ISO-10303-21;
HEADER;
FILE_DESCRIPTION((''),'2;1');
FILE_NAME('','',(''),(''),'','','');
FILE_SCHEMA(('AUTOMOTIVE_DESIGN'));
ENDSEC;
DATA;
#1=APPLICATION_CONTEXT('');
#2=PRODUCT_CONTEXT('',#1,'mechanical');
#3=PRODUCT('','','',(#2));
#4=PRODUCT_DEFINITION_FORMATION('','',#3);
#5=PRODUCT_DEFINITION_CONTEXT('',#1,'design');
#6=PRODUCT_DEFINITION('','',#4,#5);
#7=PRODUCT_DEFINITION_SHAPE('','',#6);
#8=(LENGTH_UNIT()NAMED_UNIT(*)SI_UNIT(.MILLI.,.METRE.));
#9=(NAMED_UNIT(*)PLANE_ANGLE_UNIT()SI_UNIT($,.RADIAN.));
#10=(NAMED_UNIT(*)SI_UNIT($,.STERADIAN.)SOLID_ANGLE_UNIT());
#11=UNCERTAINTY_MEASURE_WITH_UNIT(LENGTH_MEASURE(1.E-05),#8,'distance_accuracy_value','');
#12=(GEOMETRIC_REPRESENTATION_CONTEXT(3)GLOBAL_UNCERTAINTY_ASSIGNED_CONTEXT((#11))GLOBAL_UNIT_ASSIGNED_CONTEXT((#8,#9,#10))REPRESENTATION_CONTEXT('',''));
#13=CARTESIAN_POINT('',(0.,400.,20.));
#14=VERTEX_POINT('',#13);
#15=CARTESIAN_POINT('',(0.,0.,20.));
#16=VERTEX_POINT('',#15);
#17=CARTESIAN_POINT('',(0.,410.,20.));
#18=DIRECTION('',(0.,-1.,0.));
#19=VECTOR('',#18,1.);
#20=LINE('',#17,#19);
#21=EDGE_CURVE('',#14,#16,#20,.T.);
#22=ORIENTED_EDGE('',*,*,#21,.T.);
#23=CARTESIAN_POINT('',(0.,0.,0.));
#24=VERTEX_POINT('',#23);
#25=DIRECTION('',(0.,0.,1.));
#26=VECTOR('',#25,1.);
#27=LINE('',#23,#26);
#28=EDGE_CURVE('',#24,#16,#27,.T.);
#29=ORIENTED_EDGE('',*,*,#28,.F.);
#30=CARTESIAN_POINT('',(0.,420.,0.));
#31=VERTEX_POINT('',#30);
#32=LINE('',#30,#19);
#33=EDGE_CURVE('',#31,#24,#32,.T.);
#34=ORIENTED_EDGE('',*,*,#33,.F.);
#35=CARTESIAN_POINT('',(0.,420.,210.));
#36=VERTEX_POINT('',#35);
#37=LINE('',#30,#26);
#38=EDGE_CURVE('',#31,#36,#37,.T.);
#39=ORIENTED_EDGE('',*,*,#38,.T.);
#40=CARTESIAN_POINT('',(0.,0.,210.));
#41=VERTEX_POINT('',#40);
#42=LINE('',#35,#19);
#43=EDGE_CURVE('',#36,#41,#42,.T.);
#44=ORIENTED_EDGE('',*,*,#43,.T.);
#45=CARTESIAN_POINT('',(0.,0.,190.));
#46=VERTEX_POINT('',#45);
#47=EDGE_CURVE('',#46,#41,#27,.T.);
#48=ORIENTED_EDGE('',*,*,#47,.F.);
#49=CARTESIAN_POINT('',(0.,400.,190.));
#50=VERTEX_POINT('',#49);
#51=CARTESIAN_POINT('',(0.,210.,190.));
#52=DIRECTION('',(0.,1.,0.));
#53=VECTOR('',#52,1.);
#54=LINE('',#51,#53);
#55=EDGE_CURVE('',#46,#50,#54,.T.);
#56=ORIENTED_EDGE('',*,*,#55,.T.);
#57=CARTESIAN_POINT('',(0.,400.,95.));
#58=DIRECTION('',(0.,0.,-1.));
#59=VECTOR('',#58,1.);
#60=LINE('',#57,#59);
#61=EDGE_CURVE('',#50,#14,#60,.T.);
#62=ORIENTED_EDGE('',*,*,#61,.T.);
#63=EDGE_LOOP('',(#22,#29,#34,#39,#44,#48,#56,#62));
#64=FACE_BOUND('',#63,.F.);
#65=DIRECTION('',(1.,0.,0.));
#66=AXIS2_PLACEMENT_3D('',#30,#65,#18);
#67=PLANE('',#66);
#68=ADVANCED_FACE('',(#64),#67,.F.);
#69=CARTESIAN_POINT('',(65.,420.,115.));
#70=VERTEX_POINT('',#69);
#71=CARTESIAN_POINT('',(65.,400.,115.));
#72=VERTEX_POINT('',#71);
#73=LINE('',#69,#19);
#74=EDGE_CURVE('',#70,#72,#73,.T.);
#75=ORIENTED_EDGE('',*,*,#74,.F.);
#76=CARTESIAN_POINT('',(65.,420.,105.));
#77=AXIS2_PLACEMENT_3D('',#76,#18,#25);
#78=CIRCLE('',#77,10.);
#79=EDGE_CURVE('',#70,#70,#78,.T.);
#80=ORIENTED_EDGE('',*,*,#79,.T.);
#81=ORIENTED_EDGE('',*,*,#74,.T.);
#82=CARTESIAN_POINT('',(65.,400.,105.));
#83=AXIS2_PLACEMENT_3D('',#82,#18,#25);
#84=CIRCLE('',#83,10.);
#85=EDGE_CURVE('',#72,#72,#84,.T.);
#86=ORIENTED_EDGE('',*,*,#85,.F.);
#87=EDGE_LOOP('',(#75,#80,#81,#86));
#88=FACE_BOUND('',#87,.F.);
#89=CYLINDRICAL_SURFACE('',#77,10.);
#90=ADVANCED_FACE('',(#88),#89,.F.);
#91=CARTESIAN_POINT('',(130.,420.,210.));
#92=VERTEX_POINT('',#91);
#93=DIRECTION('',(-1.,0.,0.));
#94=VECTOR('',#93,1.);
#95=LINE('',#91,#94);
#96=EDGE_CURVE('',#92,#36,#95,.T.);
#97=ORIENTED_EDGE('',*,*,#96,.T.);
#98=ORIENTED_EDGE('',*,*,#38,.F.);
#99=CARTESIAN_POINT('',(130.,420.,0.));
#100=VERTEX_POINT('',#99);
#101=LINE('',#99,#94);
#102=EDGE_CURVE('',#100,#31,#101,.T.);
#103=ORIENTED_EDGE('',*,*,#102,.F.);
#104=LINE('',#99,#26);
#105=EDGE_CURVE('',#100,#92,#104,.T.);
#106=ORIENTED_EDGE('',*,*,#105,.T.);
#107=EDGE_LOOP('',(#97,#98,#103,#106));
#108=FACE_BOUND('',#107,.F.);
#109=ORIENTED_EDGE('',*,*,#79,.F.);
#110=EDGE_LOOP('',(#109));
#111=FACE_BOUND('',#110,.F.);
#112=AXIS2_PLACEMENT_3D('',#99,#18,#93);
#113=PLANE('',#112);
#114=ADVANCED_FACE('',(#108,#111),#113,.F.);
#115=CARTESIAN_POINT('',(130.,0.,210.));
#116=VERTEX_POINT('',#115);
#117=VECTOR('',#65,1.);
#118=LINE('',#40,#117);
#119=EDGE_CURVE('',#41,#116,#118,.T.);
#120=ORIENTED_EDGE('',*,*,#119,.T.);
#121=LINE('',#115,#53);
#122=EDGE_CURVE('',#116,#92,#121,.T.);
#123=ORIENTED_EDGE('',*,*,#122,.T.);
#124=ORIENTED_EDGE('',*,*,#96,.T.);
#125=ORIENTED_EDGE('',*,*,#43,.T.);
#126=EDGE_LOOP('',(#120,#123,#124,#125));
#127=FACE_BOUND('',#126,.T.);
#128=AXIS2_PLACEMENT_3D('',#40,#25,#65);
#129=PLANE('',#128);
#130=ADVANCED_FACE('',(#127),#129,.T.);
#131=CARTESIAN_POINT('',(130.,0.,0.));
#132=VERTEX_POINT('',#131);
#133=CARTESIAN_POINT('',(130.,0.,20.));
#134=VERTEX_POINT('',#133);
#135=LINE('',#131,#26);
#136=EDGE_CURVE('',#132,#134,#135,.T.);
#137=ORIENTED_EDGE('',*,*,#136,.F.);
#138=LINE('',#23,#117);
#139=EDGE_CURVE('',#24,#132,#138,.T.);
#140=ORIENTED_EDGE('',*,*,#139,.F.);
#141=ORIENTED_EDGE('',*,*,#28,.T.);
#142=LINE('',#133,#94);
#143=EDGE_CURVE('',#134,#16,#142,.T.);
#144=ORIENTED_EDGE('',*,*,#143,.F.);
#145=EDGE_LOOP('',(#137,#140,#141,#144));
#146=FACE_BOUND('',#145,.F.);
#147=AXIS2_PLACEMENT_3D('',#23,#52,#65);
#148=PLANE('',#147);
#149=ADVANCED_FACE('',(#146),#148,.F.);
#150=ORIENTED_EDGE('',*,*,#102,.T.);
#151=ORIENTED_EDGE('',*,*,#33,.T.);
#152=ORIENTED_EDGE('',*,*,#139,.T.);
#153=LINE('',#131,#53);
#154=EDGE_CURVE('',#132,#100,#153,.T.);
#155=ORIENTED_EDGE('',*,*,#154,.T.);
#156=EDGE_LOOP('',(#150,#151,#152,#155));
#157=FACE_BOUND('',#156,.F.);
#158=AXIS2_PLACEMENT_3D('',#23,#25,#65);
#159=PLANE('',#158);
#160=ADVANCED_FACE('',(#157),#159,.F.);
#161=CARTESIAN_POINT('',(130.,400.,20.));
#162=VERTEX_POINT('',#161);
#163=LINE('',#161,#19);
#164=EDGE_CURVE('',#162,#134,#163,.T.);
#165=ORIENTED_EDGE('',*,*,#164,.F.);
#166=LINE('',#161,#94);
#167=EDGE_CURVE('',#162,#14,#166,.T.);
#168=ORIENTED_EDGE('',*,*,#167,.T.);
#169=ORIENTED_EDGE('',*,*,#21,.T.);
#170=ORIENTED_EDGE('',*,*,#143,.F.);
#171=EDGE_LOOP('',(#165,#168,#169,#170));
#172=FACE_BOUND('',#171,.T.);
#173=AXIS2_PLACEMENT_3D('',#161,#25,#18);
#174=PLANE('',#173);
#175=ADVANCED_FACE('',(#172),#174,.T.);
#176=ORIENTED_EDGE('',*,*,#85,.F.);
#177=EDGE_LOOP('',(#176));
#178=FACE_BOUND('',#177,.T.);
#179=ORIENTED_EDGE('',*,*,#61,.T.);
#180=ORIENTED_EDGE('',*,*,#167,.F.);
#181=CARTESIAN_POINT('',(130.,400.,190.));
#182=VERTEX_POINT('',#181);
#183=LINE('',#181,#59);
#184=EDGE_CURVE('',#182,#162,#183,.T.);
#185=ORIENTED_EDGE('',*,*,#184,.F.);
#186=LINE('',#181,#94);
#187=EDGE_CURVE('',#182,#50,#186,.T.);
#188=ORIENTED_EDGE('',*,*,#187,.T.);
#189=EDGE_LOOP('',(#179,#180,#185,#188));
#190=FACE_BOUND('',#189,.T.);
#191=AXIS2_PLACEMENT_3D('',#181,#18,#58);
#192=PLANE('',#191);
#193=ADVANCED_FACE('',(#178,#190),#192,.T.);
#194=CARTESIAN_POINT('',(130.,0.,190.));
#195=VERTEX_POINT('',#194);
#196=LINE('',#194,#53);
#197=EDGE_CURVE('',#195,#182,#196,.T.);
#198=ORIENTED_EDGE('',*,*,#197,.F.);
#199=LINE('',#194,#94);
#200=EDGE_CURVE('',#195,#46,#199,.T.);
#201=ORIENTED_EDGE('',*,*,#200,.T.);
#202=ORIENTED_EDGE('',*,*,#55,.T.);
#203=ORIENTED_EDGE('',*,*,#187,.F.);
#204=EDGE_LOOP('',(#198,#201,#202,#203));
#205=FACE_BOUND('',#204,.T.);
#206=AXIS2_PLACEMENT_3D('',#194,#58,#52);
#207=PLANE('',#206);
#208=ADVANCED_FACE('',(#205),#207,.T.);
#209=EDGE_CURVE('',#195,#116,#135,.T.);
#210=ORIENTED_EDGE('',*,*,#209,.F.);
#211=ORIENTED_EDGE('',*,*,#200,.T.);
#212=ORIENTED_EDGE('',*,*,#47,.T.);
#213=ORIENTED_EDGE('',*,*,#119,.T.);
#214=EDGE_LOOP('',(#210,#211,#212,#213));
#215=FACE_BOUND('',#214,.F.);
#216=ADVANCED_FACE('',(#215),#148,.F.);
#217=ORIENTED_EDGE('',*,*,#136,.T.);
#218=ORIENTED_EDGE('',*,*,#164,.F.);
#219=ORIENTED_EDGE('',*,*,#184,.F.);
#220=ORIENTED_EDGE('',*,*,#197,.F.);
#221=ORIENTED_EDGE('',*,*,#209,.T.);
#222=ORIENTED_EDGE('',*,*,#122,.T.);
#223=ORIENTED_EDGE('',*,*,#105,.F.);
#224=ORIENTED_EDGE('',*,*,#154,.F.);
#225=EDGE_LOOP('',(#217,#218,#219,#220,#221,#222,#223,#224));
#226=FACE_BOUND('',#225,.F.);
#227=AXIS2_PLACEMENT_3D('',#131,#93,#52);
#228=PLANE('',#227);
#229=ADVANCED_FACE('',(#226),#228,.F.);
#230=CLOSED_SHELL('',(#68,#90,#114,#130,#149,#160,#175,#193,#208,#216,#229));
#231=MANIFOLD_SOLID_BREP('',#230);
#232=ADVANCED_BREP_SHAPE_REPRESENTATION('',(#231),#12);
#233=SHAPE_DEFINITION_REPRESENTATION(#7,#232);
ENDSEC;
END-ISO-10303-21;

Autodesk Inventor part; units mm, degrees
ref_plane "YZ Plane" through (0, 0, 0) normal (1, 0, 0) x (0, 1, 0)
ref_plane "XZ Plane" through (0, 0, 0) normal (0, 1, 0) x (-1, 0, 0)
ref_plane "XY Plane" through (0, 0, 0) normal (0, 0, 1) x (1, 0, 0)
sketch "Boceto1" plane through (0, 0, 0) normal (0, 0, 1) x (1, 0, 0)
  line L0 (0, 0) -> (130, 0)
  line L1 (130, 0) -> (130, 420)
  line L2 (130, 420) -> (0, 420)
  line L3 (0, 420) -> (0, 0)
  circle A0 centre (65, 210) radius 10
  dimension "d0" = 130
  dimension "d1" = 420
  dimension "d2" = 130
  dimension "d10" = 20
extrude "Extrusión1" add sketch "Boceto1" along normal blind 210 contours L3 L2 L1 L0 | A0
sketch "Boceto2" plane through (130, 0, 0) normal (1, 0, 0) x (0, 0, -1)
  line L0 (-210, 420) -> (-210, 0) projected
  line L1 (-210, 0) -> (-190, 0)
  line L2 (0, 0) -> (-210, 0) projected
  line L3 (-190, 0) -> (-190, 400)
  line L4 (-190, 400) -> (-20, 400)
  line L5 (0, 420) -> (0, 0) projected
  line L6 (-20, 400) -> (-20, 0)
  line L7 (-20, 0) -> (0, 0)
  dimension "d5" = 20
  dimension "d6" = 400
  dimension "d7" = 170
extrude "Extrusión2" cut sketch "Boceto2" against normal blind 210
sketch "Boceto3" plane through (0, 420, 0) normal (0, 1, 0) x (1, 0, 0)
  line L0 (130, 0) -> (0, 0) projected
  line L1 (130, -210) -> (0, -210) projected
  line L2 (0, 0) -> (130, -210)
  line L3 (130, 0) -> (0, -210)
  circle A0 centre (65, -105) radius 10
  dimension "d11" = 20
hole "Agujero1" at (65, 420, 105) direction (0, -1, 0) diameter 20 end through all
properties part number "Soporteguia"
